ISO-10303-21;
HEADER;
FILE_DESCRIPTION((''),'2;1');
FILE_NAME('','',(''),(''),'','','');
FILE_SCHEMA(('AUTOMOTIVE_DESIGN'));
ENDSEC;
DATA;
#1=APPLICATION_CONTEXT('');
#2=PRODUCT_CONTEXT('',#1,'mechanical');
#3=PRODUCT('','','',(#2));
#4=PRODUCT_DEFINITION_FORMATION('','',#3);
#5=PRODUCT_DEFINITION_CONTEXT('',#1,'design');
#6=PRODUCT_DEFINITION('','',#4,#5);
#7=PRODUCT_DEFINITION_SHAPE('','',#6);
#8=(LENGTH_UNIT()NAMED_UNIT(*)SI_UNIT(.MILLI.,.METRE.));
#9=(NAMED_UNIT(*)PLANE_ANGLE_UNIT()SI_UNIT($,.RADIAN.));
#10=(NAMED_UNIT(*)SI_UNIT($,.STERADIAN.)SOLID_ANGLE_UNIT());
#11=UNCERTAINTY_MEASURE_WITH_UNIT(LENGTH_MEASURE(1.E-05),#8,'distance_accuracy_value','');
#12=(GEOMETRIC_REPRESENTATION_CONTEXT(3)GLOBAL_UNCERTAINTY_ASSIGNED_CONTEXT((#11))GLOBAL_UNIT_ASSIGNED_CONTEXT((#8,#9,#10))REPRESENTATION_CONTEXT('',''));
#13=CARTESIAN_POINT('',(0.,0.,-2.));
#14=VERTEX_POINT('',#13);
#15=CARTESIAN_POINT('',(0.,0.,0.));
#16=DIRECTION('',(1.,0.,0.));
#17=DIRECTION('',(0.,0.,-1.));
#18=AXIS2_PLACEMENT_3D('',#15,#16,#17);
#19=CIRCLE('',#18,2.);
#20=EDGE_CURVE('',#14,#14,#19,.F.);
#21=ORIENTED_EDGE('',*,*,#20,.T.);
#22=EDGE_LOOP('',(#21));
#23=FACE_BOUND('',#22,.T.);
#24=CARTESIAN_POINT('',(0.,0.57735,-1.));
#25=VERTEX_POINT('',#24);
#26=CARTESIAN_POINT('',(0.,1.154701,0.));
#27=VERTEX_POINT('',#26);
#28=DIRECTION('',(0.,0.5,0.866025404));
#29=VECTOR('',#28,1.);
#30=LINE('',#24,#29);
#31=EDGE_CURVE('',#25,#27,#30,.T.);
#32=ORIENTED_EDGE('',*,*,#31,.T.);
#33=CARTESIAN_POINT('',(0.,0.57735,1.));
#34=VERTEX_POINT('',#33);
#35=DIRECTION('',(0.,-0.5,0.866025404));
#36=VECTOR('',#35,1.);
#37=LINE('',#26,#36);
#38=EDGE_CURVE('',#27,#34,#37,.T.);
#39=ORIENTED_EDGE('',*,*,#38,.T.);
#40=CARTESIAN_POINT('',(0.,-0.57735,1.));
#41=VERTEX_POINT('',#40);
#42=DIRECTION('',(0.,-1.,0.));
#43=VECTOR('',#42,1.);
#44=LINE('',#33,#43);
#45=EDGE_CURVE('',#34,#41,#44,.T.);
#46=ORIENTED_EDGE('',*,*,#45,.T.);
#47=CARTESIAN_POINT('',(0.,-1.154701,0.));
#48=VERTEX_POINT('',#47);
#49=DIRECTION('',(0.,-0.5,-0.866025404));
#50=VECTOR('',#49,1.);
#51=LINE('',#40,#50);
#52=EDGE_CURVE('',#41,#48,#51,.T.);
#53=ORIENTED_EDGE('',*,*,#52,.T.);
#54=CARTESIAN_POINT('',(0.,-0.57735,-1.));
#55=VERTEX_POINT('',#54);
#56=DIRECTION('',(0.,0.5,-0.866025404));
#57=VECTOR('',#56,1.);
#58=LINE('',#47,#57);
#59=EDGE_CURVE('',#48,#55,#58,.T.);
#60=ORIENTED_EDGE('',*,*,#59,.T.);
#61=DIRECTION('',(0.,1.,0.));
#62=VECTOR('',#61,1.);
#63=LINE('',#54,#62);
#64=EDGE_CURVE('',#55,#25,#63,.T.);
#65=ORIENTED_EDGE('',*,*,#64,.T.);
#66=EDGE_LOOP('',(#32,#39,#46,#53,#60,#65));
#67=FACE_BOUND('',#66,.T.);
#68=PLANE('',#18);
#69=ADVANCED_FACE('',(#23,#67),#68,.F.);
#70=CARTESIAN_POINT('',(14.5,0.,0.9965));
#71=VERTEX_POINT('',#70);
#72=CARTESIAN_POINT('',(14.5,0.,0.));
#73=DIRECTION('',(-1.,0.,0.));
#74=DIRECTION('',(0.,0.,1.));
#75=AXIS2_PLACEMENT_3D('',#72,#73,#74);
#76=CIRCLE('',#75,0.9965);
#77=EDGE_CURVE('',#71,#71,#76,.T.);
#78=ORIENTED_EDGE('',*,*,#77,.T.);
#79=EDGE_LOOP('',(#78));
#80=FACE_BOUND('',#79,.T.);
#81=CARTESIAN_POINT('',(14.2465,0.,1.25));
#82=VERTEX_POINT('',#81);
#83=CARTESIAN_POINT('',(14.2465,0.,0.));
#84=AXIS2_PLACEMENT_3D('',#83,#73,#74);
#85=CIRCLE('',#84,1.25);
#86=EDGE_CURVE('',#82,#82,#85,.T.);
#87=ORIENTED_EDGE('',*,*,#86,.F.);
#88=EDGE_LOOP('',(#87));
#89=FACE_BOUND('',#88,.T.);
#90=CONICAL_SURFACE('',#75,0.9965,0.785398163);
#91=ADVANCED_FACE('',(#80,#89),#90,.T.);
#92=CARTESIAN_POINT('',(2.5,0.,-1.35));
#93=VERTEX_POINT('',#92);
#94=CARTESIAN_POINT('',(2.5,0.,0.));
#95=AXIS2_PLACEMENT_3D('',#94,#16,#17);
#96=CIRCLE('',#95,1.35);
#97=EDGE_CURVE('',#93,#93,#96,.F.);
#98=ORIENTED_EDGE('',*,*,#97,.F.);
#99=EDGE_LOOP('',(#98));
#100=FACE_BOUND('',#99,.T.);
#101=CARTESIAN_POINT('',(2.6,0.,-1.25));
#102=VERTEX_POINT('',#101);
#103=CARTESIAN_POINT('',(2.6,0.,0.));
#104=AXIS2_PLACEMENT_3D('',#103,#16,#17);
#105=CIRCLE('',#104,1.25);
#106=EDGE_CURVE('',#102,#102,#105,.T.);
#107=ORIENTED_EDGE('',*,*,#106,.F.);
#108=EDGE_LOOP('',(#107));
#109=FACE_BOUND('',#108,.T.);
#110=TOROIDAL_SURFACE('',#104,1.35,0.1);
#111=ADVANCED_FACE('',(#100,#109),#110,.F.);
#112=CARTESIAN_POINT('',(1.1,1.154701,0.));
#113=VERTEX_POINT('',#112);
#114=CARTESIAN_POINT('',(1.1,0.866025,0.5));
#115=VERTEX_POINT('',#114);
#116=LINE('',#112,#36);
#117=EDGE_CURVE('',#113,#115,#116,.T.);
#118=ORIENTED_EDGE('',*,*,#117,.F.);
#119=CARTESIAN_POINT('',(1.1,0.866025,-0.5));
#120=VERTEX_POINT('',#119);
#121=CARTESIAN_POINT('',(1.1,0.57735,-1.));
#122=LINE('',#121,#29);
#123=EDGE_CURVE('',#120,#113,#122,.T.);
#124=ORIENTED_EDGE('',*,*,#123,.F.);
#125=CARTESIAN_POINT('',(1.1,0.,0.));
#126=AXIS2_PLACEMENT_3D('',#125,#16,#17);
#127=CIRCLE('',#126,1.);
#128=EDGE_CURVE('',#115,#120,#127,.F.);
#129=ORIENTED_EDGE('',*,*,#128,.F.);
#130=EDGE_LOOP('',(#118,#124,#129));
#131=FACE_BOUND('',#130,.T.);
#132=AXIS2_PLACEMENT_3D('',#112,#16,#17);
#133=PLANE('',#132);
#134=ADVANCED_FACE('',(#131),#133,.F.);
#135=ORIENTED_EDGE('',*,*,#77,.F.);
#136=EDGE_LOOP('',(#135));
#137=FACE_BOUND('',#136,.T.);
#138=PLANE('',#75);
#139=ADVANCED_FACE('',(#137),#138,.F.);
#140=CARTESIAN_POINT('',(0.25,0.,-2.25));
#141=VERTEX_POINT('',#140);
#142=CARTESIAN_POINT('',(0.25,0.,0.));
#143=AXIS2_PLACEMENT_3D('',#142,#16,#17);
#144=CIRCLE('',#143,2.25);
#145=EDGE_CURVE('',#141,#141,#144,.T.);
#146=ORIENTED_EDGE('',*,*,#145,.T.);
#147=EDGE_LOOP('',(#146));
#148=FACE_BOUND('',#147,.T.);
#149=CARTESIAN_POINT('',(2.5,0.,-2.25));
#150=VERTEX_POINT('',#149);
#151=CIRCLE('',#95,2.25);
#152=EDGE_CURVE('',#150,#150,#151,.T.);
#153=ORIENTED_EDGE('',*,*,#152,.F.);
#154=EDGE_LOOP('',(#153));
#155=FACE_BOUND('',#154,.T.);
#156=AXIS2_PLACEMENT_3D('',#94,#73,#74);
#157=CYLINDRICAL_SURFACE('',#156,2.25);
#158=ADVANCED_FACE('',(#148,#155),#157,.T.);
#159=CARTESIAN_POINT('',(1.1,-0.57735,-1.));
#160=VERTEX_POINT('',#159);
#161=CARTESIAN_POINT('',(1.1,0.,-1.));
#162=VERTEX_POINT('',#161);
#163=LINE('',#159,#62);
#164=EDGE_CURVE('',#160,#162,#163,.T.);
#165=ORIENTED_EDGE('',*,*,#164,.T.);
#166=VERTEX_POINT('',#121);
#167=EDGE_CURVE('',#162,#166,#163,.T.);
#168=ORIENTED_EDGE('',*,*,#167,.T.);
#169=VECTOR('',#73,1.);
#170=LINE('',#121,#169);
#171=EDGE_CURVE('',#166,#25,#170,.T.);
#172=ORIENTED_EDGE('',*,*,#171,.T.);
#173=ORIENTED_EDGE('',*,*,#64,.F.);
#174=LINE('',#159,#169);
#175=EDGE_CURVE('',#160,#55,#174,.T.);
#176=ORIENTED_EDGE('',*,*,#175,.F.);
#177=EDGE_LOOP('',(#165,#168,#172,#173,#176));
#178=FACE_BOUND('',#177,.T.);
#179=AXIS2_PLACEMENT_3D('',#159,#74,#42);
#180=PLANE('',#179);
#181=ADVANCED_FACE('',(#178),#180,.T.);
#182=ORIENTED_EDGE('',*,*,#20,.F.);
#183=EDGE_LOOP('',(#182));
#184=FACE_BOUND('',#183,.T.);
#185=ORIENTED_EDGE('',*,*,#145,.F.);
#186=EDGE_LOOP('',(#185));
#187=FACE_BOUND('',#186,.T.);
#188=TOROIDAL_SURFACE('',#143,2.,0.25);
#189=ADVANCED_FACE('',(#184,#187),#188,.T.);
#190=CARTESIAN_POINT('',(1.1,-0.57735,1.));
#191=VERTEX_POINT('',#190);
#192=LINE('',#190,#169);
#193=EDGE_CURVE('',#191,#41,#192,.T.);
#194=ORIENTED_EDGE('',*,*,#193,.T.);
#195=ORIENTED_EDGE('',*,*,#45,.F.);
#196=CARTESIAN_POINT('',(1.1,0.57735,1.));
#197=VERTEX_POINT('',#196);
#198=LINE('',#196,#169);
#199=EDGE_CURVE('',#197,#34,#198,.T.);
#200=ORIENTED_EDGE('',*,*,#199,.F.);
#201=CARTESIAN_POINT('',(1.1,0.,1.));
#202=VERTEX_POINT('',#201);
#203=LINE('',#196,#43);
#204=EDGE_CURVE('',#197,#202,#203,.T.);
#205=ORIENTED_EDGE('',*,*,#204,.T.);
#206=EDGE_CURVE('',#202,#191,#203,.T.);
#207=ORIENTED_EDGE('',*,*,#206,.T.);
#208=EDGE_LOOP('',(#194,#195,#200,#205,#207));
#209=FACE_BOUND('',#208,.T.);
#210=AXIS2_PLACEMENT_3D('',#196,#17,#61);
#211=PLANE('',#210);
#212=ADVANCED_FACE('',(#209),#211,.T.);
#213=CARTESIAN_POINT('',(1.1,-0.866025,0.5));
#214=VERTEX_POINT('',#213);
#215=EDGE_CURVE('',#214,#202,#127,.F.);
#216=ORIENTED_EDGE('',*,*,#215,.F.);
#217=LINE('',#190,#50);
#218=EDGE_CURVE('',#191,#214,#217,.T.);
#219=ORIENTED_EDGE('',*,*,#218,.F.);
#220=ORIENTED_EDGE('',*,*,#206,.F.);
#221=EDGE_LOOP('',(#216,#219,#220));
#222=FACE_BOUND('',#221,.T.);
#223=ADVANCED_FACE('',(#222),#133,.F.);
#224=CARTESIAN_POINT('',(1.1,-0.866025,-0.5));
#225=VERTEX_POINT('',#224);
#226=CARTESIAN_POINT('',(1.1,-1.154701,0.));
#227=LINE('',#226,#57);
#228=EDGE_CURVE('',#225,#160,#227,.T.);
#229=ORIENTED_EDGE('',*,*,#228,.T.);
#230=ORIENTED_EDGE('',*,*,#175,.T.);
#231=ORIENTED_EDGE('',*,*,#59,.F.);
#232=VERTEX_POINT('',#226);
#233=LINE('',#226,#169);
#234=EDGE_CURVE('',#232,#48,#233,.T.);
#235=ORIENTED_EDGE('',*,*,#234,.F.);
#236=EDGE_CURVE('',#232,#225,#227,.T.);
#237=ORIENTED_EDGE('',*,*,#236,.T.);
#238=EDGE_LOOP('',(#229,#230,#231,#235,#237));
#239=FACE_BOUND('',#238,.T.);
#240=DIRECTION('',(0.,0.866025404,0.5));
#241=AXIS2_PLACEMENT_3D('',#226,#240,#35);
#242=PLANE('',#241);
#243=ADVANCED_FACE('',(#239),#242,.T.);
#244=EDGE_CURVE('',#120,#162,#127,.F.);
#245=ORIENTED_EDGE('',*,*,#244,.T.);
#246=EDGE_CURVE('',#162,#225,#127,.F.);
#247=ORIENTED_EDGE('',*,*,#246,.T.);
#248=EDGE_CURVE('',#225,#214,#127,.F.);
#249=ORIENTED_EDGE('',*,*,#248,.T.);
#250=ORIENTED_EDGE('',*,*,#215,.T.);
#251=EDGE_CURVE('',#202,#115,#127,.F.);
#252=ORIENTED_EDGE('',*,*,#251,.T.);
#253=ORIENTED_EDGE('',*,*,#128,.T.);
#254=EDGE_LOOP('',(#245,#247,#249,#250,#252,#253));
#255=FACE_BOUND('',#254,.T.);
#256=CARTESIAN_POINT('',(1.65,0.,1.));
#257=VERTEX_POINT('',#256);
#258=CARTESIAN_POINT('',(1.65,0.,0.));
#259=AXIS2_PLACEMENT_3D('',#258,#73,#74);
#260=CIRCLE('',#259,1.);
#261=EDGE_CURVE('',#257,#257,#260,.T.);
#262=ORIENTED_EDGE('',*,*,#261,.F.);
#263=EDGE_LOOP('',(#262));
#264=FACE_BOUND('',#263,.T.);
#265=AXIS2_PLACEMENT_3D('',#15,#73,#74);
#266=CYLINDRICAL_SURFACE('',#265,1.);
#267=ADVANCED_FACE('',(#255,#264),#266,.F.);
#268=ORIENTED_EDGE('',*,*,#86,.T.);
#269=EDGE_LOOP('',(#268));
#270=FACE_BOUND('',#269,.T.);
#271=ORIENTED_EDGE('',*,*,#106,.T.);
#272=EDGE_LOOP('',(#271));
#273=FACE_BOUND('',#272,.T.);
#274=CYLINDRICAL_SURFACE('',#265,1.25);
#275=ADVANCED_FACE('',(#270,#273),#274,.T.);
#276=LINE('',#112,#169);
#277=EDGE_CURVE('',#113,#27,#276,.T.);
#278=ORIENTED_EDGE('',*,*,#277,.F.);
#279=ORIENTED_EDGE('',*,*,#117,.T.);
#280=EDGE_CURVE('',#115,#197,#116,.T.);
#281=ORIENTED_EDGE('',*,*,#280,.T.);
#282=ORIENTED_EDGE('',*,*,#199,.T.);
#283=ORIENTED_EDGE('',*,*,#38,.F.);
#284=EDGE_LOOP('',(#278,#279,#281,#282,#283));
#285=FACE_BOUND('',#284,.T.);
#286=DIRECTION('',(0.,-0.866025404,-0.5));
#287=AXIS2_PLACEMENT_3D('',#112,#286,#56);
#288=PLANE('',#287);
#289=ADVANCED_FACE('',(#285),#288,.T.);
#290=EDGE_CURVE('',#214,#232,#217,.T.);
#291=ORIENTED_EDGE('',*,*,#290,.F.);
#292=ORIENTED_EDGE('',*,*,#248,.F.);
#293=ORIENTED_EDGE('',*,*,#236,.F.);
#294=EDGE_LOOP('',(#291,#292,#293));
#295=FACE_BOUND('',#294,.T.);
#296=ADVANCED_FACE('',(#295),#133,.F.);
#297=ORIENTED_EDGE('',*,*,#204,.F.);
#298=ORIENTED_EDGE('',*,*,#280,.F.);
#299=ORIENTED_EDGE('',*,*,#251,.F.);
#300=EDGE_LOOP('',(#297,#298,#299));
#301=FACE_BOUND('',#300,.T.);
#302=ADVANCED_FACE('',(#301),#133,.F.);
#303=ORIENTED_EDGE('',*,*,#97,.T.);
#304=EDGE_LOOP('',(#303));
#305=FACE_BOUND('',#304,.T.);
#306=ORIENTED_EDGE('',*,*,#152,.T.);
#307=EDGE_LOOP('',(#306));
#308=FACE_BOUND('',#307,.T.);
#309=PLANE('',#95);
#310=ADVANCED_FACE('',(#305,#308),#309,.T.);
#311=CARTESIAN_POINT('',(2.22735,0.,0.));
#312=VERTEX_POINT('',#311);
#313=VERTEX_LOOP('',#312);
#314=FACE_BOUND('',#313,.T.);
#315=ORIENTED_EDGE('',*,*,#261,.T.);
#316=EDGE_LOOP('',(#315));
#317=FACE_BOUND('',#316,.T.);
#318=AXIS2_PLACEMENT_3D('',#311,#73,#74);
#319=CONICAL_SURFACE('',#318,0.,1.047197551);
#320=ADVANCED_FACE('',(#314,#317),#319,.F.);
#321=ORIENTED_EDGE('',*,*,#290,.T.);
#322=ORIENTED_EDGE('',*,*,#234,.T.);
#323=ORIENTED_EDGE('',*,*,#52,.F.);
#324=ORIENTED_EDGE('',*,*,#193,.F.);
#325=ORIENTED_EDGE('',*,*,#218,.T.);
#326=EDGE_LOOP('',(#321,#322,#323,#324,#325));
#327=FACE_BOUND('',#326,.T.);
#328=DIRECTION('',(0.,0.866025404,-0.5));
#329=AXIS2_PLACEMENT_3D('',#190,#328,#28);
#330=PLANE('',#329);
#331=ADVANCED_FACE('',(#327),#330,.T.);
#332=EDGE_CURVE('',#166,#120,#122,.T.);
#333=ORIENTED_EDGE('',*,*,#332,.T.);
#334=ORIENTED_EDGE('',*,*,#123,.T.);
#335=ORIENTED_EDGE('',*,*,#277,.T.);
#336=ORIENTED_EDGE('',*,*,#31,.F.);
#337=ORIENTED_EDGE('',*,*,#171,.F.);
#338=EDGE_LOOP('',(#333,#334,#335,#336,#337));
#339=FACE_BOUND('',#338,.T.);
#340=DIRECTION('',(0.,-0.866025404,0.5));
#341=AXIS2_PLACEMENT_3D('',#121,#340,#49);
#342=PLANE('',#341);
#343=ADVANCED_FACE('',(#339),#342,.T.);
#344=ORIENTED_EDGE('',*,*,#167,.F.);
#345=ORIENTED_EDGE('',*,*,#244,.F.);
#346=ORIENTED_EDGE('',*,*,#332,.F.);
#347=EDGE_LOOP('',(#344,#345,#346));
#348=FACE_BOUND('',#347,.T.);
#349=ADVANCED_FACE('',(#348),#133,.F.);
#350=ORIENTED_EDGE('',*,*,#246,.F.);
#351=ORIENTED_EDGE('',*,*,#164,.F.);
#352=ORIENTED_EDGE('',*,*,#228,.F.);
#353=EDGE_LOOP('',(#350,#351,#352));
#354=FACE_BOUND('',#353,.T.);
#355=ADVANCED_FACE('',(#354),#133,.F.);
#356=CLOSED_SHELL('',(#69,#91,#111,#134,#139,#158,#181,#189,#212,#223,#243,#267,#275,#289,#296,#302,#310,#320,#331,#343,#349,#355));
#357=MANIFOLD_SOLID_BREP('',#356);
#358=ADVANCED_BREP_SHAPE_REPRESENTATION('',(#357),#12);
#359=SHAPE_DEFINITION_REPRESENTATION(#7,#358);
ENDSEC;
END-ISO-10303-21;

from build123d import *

# Parameters (mm, degrees)
BASEHEADSKE_R   = 2.25
BASEHEAD_DEPTH  = 2.5
CUTSOCKET_DEPTH = 1.1
FILLET1_R       = 0.1
FILLET2_R       = 0.25


with BuildPart() as part:
    # BaseHeadSke → BaseHead (new body)
    with BuildSketch(Plane(origin=(0, 0, 0), x_dir=(0, 0, -1), z_dir=(1, 0, 0))):
        Circle(BASEHEADSKE_R)
    extrude(amount=BASEHEAD_DEPTH)

    # BodySke → BaseBody (revolve)
    with BuildSketch(Plane.XY, mode=Mode.PRIVATE) as basebody_sk:
        Polygon((0, 0), (14.5, 0), (14.5, 0.9965), (14.2465, 1.25), (0, 1.25), align=None)
    revolve(basebody_sk.sketch.rotate(Axis((0, 0, 0), (1, 0, 0)), 90), axis=Axis((0, 0, 0), (1, 0, 0)))

    # CutSocketSke → CutSocket (cut)
    with BuildSketch(Plane(origin=(0, 0, 0), x_dir=(0, 0, -1), z_dir=(1, 0, 0))):
        Polygon((0, 1.154700538), (-1, 0.577350269), (-1, -0.577350269), (0, -1.154700538), (1, -0.577350269), (1, 0.577350269), align=None)
    extrude(amount=CUTSOCKET_DEPTH, mode=Mode.SUBTRACT)

    # CutHoleSke → CutHole (revolve, cut)
    with BuildSketch(Plane.XY, mode=Mode.PRIVATE) as cuthole_sk:
        Polygon((0, 1), (1.65, 1), (2.227350269, 0), (0, 0), align=None)
    revolve(cuthole_sk.sketch.rotate(Axis((0, 0, 0), (1, 0, 0)), 90), axis=Axis((0, 0, 0), (1, 0, 0)), mode=Mode.SUBTRACT)

    # Fillet1
    fillet1_edges = [part.edges().sort_by_distance(p)[0] for p in [
        (2.5, 0, -1.25),
    ]]
    fillet(fillet1_edges, radius=FILLET1_R)

    # Fillet2
    fillet2_edges = [part.edges().sort_by_distance(p)[0] for p in [
        (0, 0, 2.25),
    ]]
    fillet(fillet2_edges, radius=FILLET2_R)


solid = part.part
